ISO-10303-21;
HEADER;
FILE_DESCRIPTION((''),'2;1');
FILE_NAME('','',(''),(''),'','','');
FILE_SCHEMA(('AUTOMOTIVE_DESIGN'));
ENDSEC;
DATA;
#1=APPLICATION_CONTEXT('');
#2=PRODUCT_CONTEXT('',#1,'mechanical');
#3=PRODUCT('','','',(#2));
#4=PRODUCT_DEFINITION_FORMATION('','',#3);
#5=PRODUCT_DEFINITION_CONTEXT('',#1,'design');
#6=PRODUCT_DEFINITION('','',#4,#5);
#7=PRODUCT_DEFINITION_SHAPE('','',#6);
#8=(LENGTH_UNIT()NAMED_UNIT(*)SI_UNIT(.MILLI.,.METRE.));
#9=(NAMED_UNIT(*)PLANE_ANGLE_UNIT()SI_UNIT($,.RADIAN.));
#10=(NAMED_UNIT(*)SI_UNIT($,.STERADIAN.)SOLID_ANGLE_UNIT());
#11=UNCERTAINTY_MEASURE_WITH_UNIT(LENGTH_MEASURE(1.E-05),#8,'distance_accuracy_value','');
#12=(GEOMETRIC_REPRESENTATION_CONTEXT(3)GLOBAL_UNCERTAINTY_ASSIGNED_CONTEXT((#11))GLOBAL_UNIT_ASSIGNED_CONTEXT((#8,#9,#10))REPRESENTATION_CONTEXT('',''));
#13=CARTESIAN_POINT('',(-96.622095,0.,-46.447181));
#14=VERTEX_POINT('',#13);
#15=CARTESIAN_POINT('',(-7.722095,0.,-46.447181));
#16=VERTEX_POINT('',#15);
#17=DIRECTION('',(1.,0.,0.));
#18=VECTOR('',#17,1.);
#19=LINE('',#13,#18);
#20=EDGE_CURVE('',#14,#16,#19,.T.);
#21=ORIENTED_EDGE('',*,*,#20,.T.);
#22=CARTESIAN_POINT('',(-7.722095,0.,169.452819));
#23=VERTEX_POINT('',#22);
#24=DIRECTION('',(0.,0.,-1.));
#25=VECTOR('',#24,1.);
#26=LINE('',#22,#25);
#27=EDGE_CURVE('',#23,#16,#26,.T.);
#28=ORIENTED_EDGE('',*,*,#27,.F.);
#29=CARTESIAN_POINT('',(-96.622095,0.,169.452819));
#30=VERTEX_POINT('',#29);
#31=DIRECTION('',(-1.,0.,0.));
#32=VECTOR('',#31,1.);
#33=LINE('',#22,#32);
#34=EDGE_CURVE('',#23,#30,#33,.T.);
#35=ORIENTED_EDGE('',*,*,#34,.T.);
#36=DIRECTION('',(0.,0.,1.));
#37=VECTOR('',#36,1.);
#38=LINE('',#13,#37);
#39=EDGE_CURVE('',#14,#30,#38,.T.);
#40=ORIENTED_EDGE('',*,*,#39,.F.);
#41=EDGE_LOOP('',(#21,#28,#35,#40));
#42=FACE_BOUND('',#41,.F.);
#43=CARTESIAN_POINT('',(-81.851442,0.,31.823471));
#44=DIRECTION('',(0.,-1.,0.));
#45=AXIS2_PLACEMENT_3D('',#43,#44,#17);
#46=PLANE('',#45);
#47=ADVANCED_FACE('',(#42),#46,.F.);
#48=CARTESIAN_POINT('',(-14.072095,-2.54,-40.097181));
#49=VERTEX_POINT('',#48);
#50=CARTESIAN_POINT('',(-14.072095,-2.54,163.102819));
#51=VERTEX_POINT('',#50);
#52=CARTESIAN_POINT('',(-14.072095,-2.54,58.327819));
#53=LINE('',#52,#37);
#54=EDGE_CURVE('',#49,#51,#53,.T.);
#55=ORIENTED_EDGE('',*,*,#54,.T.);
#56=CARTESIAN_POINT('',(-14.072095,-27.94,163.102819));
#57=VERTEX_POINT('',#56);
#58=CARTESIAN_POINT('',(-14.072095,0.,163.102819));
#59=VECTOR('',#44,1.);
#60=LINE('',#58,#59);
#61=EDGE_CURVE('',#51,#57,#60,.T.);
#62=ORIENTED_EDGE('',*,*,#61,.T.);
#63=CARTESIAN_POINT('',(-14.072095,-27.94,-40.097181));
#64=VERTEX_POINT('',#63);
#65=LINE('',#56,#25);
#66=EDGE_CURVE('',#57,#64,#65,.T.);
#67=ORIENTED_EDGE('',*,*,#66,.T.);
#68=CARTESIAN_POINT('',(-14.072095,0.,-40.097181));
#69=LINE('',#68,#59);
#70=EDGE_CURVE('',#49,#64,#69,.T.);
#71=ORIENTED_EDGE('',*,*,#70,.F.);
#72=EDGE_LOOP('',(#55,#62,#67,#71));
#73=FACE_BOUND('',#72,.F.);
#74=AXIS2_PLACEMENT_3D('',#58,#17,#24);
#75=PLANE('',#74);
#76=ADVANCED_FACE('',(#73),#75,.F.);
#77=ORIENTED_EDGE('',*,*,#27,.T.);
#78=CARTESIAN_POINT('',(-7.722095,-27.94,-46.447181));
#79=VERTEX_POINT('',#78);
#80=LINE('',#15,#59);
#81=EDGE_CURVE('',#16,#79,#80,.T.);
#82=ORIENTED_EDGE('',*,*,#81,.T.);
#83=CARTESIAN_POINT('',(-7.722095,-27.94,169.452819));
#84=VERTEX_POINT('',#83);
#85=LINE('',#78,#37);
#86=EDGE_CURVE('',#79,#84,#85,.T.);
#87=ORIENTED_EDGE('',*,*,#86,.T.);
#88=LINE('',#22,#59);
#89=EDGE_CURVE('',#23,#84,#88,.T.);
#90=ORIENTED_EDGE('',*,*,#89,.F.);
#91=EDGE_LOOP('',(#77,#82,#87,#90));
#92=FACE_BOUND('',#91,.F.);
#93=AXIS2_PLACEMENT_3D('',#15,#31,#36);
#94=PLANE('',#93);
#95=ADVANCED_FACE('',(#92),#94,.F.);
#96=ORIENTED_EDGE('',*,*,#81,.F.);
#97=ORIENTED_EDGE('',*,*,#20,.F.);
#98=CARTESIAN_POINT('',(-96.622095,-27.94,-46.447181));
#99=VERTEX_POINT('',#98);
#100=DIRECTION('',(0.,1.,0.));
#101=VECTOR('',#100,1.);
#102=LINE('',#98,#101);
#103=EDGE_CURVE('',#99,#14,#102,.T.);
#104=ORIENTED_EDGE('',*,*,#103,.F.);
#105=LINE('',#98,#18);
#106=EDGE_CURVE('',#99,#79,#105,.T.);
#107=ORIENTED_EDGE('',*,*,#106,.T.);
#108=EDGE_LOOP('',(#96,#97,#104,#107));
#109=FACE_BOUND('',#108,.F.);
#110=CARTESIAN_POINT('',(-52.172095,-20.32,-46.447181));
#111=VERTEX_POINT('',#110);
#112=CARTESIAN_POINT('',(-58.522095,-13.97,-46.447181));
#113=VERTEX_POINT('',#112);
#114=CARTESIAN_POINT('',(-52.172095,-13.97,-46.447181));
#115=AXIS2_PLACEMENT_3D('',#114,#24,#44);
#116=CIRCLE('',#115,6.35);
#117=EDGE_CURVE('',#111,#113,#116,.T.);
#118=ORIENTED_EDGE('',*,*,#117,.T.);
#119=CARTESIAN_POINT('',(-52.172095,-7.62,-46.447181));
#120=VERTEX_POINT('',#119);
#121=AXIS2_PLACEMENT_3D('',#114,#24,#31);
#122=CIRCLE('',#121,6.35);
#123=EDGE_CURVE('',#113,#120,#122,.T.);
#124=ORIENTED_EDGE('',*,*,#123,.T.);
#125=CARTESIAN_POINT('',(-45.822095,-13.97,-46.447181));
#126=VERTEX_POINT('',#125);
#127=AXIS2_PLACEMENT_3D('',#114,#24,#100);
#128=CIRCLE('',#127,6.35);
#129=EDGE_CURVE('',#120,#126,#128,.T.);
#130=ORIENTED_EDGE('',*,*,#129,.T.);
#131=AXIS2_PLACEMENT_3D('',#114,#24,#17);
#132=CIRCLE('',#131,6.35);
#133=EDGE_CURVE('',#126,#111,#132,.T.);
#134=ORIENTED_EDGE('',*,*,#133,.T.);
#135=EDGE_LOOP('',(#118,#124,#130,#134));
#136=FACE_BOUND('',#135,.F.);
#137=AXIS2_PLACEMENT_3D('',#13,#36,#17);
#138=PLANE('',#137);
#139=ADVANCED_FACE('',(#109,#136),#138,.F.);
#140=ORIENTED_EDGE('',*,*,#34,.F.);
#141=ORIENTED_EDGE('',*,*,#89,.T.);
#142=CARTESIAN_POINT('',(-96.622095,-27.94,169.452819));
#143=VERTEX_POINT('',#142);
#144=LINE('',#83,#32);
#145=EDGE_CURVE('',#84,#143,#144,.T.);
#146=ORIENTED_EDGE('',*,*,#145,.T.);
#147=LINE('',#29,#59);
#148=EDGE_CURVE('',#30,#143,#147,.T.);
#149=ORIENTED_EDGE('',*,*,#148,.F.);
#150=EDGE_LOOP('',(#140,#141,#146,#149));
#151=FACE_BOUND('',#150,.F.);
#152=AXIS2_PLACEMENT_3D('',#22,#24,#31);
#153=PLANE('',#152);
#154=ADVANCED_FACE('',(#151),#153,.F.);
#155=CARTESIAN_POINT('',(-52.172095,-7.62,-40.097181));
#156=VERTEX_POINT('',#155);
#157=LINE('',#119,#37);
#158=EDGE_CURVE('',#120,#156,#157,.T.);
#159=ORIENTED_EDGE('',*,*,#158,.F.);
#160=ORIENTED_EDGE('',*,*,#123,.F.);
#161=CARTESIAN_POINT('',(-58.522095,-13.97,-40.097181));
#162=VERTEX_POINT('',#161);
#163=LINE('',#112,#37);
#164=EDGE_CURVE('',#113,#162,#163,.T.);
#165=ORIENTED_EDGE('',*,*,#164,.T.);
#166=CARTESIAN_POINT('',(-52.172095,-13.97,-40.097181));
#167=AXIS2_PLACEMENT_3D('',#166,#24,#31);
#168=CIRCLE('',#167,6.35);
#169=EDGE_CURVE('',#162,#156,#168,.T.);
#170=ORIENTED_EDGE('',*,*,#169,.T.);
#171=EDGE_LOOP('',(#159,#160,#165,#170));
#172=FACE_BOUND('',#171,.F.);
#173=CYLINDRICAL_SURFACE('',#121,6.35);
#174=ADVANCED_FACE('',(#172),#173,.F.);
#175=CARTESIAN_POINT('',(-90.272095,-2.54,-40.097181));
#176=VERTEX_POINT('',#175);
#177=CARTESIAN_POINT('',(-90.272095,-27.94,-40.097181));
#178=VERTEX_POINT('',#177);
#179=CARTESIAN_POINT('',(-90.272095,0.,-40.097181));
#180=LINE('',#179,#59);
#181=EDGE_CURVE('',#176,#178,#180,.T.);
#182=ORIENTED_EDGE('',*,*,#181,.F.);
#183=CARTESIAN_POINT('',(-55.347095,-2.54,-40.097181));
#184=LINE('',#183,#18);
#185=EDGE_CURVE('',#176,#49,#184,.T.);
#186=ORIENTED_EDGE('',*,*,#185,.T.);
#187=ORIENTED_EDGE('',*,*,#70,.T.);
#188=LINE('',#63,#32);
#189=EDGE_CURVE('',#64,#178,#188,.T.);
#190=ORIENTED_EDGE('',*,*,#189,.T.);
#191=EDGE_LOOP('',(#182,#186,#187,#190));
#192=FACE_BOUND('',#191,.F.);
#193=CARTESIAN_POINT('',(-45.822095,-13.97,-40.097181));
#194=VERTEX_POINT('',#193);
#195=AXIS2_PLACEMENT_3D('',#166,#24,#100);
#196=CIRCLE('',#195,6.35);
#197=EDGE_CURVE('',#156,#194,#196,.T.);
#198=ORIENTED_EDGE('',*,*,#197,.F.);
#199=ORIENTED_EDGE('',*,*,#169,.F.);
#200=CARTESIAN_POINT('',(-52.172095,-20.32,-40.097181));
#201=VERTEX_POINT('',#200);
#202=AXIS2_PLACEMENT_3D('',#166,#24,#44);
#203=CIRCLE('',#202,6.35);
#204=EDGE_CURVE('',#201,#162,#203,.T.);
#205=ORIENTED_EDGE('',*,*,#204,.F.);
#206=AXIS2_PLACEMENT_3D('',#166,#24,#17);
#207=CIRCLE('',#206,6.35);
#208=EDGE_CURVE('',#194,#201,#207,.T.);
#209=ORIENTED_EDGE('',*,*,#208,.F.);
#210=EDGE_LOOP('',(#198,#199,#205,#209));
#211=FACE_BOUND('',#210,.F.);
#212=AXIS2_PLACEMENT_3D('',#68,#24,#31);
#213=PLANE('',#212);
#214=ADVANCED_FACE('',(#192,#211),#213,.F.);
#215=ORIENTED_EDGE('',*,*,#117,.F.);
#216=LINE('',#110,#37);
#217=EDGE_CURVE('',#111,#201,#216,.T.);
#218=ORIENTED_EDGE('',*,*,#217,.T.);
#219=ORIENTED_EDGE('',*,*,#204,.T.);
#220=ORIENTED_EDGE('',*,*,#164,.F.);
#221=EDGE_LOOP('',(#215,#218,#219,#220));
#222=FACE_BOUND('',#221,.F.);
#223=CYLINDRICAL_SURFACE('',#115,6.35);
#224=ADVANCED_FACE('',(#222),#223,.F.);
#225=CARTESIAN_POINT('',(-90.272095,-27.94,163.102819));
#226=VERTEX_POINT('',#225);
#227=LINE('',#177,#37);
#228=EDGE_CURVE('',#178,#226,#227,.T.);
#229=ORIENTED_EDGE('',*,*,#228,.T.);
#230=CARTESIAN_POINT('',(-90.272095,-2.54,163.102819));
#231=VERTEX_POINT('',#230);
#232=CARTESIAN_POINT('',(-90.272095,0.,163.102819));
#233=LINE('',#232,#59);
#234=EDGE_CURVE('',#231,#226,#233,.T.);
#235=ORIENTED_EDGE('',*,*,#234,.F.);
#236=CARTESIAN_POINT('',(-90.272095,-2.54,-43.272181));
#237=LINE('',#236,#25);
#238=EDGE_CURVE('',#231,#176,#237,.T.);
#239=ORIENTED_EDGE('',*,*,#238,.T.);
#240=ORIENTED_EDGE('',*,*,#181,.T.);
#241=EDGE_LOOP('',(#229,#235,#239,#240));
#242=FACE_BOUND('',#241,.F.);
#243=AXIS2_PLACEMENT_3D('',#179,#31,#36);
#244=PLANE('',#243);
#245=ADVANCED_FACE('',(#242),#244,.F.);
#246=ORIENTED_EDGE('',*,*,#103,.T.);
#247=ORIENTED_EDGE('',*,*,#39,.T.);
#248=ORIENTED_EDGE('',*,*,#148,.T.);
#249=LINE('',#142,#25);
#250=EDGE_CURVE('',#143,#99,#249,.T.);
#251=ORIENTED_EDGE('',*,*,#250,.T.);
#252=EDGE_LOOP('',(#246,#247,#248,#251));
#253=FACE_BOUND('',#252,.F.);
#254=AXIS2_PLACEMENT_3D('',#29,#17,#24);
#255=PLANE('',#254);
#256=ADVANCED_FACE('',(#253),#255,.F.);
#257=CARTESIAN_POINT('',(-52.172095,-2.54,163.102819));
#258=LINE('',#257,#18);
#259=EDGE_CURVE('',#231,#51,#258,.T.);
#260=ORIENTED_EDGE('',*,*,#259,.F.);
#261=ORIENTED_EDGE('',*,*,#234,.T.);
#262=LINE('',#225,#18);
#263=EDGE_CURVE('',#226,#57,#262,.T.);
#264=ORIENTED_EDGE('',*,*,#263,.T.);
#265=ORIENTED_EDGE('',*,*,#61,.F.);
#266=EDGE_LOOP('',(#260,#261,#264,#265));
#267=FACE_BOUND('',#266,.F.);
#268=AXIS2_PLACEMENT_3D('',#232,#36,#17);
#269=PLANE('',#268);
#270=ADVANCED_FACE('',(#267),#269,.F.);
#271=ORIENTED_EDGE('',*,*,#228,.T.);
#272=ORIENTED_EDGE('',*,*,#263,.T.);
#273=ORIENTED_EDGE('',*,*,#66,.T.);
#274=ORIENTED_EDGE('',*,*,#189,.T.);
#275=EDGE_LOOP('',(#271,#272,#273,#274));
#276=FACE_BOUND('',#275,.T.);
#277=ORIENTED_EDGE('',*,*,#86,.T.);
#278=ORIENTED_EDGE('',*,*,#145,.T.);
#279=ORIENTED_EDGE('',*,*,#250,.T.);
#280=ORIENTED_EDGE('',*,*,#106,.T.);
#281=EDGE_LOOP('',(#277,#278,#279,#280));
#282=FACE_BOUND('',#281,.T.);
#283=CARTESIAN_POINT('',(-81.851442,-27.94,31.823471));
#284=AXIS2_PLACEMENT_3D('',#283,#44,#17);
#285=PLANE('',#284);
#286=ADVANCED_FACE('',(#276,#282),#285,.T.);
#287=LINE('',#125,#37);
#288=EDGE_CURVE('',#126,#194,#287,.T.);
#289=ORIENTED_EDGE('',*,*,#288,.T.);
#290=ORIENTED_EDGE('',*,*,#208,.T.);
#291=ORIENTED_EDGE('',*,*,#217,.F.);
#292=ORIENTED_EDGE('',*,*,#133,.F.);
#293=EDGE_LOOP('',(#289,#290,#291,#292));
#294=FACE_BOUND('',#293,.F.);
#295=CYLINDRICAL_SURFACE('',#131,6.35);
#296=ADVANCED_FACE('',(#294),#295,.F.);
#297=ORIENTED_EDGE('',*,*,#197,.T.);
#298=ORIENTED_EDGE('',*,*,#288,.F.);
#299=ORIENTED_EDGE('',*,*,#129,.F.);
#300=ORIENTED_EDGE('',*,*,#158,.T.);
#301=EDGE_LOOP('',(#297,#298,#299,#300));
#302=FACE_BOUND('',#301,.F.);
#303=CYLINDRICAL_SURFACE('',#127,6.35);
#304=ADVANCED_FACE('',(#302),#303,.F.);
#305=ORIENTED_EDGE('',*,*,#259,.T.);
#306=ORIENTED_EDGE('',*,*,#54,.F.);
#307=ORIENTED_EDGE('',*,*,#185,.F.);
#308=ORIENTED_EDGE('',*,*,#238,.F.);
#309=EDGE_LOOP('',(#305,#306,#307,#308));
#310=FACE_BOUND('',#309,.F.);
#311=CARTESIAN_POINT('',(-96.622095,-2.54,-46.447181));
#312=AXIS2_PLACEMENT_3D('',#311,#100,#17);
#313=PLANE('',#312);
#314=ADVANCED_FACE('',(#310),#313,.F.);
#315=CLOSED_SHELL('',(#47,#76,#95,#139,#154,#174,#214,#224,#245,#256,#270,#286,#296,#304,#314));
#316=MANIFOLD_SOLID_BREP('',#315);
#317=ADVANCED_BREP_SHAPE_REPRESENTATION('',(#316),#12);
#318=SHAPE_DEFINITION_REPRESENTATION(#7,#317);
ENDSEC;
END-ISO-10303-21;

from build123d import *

# Parameters (mm, degrees)
F0_W     = 6.35
F0_H     = 6.35
F1_DEPTH = 27.94
F2_W     = 88.9
F2_H     = 2.54
F3_DEPTH = 209.55
F5_DEPTH = 25.4


with BuildPart() as f1:
    # F0 (on Front) → F1 (new body)
    with BuildSketch(Plane.XZ):
        Polygon((-90.272094512, -40.0971807539), (-90.272094512, 163.1028192461), (-96.622094512, 163.1028192461), (-96.622094512, -46.4471807539), (-14.072094512, -46.4471807539), (-14.072094512, -40.0971807539), align=None)
        with Locations((-93.447094512, 166.2778192461)):
            Rectangle(F0_W, F0_H)
        Polygon((-90.272094512, 169.4528192461), (-90.272094512, 163.1028192461), (-14.072094512, 163.1028192461), (-14.072094512, -40.0971807539), (-7.722094512, -40.0971807539), (-7.722094512, 169.4528192461), align=None)
        with Locations((-10.897094512, -43.2721807539)):
            Rectangle(F0_W, F0_H)
    extrude(amount=F1_DEPTH)

    # F2 (on face) → F3 (join)
    with BuildSketch(Plane(origin=(0, 0, -46.4471807539), x_dir=(1, 0, 0), z_dir=(0, 0, -1))):
        with Locations((-52.172094512, 1.27)):
            Rectangle(F2_W, F2_H)
    extrude(amount=-F3_DEPTH)

    # F4 (on face) → F5 (cut)
    with BuildSketch(Plane(origin=(0, 0, -46.4471807539), x_dir=(1, 0, 0), z_dir=(0, 0, -1))):
        with BuildLine():
            Line((-58.522094512, 13.97), (-52.172094512, 13.97))
            Line((-52.172094512, 13.97), (-52.172094512, 20.32))
            ThreePointArc((-52.172094512, 20.32), (-56.6622225725, 18.4601280605), (-58.522094512, 13.97))
        make_face()
        with BuildLine():
            Line((-52.172094512, 13.97), (-45.822094512, 13.97))
            ThreePointArc((-45.822094512, 13.97), (-47.6819664515, 18.4601280605), (-52.172094512, 20.32))
            Line((-52.172094512, 20.32), (-52.172094512, 13.97))
        make_face()
        with BuildLine():
            ThreePointArc((-52.172094512, 7.62), (-47.6819664515, 9.4798719395), (-45.822094512, 13.97))
            Line((-45.822094512, 13.97), (-52.172094512, 13.97))
            Line((-52.172094512, 13.97), (-52.172094512, 7.62))
        make_face()
        with BuildLine():
            Line((-52.172094512, 7.62), (-52.172094512, 13.97))
            Line((-52.172094512, 13.97), (-58.522094512, 13.97))
            ThreePointArc((-58.522094512, 13.97), (-56.6622225725, 9.4798719395), (-52.172094512, 7.62))
        make_face()
    extrude(amount=-F5_DEPTH, mode=Mode.SUBTRACT)


solid = f1.part
